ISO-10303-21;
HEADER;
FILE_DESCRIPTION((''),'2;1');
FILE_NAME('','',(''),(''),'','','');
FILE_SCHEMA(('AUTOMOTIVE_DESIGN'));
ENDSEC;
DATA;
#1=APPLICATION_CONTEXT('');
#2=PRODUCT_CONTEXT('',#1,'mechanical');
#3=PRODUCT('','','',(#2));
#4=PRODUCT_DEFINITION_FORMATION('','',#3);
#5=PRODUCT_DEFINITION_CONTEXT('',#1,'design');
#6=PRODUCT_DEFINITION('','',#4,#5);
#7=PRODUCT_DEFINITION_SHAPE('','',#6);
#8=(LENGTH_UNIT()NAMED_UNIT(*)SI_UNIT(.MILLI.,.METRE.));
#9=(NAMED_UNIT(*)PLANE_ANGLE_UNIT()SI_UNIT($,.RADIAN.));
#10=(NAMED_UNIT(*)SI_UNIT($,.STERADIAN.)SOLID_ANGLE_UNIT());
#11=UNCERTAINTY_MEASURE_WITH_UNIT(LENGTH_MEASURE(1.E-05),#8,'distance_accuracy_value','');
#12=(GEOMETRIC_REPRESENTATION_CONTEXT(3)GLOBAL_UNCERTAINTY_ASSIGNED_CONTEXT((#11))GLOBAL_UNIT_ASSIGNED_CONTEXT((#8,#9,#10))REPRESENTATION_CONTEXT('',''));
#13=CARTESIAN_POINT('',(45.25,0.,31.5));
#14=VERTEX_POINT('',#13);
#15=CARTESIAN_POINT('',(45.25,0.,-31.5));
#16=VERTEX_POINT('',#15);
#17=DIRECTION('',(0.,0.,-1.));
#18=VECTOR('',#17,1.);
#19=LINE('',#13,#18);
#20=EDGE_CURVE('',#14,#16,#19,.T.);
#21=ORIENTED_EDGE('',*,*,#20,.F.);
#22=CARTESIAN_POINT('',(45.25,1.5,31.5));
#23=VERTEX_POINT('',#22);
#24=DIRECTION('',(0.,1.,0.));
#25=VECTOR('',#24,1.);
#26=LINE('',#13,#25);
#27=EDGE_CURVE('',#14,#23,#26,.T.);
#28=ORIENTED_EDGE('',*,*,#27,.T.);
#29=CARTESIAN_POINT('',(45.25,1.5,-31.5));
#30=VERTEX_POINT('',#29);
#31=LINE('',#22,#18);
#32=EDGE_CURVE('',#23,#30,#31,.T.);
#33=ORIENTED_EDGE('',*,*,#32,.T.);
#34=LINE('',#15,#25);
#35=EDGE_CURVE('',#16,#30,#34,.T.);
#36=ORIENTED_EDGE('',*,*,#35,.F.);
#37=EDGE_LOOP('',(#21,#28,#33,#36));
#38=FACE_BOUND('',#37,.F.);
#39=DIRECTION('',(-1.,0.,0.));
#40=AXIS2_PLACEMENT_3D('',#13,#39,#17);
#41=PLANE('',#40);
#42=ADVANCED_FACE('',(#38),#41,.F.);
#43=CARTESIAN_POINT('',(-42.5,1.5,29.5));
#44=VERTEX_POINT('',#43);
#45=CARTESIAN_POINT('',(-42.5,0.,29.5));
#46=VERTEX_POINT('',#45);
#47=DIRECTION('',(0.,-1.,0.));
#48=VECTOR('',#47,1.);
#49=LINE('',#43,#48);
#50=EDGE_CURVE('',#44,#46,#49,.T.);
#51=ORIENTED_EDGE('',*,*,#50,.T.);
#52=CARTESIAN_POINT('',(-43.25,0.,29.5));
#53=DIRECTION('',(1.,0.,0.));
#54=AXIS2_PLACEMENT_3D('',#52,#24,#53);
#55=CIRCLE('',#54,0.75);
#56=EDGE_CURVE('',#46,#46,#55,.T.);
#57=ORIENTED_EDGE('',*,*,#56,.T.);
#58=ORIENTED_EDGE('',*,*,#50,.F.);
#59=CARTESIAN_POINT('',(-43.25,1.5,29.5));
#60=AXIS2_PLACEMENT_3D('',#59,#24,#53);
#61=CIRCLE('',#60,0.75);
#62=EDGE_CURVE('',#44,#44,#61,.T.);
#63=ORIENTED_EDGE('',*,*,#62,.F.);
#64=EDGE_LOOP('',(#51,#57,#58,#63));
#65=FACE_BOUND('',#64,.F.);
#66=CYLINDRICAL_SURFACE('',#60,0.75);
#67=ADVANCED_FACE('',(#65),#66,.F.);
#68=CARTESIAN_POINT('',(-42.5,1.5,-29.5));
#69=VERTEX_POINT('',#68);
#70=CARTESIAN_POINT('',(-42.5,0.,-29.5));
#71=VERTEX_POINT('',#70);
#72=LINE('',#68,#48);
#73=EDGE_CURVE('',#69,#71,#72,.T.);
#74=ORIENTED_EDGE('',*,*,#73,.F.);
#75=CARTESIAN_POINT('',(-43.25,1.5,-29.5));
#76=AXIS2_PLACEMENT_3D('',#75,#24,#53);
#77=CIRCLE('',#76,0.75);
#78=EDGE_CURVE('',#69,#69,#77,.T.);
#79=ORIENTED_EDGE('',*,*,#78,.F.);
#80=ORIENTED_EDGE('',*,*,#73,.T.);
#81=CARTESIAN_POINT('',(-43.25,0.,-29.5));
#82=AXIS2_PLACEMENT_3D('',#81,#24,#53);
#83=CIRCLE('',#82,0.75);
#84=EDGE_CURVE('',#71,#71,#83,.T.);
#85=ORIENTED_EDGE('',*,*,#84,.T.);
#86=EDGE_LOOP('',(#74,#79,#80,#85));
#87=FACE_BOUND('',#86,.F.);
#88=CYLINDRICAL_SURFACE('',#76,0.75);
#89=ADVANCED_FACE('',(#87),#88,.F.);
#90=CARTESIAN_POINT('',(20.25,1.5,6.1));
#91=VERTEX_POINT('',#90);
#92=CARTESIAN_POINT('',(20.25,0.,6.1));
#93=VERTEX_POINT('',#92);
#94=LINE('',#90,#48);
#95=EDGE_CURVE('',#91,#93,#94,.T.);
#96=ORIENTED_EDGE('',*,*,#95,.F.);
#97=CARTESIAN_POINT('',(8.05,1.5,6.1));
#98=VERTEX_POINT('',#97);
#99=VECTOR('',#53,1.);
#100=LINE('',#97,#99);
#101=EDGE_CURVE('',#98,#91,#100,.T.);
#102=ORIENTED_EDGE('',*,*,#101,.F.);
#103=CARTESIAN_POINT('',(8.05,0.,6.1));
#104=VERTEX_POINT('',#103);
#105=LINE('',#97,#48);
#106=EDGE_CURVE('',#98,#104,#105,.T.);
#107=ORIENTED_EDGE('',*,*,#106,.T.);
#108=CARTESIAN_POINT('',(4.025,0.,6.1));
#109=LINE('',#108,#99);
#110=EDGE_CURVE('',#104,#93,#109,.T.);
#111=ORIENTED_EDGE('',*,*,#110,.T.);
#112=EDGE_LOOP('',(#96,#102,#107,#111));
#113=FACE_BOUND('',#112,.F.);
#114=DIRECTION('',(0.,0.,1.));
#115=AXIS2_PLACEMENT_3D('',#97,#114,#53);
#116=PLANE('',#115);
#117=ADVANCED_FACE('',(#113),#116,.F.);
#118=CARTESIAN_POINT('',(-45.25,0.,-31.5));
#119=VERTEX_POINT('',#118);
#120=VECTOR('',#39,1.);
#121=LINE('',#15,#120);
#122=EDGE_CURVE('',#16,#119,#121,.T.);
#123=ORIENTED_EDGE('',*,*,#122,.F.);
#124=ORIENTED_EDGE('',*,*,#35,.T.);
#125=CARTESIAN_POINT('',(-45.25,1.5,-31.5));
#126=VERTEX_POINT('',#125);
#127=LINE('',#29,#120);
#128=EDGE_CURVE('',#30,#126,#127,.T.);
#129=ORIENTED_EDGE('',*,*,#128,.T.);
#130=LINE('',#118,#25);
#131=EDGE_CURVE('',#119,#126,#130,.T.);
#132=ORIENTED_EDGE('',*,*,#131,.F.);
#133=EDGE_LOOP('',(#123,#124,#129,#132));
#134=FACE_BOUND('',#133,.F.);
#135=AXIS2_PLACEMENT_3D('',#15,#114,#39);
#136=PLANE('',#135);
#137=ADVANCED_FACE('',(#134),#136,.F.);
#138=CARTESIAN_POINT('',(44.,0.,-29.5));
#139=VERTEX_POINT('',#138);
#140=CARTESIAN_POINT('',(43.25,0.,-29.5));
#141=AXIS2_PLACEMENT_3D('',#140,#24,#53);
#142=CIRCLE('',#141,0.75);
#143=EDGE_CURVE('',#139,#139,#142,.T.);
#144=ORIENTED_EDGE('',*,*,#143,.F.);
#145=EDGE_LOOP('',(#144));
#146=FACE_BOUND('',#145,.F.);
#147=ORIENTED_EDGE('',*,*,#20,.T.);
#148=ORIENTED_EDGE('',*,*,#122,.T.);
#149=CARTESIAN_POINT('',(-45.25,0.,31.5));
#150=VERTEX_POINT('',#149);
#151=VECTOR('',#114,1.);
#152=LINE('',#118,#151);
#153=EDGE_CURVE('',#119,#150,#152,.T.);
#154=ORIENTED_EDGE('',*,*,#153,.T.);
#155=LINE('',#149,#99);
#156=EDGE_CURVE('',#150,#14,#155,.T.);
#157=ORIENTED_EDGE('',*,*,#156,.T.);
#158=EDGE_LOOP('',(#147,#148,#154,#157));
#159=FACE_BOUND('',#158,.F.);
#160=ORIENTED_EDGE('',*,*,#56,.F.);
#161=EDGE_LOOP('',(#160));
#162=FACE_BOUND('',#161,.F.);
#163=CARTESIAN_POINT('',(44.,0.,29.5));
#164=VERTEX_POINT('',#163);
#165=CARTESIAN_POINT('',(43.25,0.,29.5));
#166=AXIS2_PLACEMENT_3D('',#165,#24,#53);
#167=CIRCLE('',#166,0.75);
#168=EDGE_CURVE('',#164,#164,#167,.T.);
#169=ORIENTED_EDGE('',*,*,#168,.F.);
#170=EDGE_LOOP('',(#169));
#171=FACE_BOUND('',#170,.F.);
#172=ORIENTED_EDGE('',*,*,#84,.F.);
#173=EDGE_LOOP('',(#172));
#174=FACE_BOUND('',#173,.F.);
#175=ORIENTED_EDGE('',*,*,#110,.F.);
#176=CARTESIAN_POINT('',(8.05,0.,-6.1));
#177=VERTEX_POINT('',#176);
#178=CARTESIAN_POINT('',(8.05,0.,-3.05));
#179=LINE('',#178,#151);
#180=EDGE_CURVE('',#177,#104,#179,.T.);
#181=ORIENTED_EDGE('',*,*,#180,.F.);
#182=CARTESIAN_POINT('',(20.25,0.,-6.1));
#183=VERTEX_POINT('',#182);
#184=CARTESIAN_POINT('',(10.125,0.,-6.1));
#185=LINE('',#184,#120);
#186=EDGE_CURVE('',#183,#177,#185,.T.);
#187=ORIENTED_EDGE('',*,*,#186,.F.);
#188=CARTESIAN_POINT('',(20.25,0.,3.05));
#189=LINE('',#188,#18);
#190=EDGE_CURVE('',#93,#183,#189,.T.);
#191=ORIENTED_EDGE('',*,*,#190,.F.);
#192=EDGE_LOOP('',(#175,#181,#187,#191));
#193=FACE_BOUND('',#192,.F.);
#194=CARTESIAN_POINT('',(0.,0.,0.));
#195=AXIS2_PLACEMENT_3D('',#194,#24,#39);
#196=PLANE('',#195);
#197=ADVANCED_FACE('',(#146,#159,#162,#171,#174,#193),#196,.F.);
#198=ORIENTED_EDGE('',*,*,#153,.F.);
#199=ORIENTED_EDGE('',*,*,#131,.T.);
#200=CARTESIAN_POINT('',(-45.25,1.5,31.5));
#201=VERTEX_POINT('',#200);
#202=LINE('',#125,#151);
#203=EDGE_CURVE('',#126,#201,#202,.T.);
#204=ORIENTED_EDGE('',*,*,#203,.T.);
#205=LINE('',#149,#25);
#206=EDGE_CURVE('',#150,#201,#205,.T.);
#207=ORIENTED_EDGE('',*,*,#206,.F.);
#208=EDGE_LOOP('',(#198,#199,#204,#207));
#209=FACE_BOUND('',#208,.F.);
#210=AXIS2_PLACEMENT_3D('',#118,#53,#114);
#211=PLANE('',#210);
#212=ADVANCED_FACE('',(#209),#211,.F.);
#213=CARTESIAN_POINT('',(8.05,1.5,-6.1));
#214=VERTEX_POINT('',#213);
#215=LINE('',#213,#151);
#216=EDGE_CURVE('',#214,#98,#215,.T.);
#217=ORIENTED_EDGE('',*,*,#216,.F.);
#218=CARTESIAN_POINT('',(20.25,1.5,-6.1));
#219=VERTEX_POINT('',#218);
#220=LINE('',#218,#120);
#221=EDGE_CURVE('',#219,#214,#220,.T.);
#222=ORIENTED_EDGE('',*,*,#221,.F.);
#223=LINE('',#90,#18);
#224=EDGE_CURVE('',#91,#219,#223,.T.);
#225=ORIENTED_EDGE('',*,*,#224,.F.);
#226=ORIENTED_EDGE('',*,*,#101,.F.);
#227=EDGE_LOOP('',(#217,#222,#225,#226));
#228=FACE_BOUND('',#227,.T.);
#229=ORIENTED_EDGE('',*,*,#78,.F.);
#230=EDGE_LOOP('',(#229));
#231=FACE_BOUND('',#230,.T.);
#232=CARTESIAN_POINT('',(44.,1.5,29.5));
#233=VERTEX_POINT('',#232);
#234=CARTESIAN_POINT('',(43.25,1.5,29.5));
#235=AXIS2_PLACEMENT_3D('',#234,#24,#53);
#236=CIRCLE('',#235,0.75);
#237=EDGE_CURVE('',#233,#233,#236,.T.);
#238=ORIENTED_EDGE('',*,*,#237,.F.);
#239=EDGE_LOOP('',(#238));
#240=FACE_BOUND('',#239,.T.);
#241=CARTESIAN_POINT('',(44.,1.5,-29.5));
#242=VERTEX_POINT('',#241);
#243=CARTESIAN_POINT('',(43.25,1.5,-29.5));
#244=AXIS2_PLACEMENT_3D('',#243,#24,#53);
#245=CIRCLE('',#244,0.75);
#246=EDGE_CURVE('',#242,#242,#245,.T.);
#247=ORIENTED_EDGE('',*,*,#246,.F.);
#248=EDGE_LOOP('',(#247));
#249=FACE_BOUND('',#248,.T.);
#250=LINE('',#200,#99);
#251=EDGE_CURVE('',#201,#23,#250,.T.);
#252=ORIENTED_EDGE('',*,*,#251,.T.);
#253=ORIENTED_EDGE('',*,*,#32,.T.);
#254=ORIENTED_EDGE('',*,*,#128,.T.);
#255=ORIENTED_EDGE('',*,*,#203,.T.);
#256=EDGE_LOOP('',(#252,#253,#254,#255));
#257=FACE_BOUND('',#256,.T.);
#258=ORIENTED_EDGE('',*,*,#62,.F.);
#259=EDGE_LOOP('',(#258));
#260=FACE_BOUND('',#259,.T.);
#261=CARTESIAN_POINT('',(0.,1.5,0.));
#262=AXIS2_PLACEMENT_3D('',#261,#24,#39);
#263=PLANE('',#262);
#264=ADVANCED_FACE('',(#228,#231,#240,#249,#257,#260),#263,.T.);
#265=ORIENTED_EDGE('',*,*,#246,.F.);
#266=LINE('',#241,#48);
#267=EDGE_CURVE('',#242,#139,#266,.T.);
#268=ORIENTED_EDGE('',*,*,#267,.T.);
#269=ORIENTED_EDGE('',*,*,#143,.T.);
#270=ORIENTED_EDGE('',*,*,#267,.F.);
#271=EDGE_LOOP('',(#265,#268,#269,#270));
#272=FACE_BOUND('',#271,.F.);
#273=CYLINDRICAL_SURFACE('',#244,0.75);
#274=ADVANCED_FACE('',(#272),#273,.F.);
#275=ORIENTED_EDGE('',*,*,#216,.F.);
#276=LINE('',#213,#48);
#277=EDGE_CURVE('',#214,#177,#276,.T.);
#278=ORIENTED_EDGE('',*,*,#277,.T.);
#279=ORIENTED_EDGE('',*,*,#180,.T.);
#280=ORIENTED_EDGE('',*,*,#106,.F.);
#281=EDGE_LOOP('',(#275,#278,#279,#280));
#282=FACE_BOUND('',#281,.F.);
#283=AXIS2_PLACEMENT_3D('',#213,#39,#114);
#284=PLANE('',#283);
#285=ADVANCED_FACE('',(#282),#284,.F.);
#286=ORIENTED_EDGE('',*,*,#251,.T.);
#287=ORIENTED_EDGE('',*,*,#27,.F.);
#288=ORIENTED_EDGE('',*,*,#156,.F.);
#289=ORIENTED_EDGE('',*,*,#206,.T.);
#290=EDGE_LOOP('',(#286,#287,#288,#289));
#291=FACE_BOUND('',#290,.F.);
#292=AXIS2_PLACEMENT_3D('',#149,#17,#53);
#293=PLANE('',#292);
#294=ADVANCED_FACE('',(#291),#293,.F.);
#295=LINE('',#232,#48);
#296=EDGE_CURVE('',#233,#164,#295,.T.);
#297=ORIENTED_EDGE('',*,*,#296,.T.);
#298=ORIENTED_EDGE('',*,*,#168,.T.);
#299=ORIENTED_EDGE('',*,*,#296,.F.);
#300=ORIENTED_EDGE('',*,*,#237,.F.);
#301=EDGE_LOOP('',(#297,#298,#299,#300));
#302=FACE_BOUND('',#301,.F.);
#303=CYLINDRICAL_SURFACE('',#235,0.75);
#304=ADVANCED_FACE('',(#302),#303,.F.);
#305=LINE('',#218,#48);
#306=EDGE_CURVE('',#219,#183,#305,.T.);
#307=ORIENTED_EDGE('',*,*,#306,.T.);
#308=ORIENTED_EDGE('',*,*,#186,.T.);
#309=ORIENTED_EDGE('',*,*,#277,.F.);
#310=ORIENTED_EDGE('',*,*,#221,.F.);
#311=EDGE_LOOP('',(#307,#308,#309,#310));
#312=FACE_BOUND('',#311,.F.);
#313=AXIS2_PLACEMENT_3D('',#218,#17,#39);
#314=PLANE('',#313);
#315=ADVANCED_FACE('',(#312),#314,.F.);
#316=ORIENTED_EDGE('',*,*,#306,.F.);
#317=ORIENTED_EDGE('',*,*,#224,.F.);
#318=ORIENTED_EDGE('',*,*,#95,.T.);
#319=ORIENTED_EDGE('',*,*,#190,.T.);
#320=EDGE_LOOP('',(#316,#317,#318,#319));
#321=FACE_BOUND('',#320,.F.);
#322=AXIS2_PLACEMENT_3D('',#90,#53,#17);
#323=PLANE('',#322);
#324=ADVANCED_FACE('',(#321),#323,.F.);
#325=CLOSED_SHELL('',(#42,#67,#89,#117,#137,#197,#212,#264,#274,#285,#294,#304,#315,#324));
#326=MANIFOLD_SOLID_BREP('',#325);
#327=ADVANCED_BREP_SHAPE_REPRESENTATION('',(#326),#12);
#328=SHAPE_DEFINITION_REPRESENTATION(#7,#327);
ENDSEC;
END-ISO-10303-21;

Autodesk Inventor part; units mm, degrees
ref_plane "YZ Plane" through (0, 0, 0) normal (1, 0, 0) x (0, 1, 0)
ref_plane "XZ Plane" through (0, 0, 0) normal (0, 1, 0) x (-1, 0, 0)
ref_plane "XY Plane" through (0, 0, 0) normal (0, 0, 1) x (1, 0, 0)
sketch "Sketch1" plane through (0, 0, 0) normal (0, 1, 0) x (-1, 0, 0)
  line L0 (45.25, 31.5) -> (-45.25, 31.5)
  line L1 (-45.25, 31.5) -> (-45.25, -31.5)
  line L2 (-45.25, -31.5) -> (45.25, -31.5)
  line L3 (45.25, -31.5) -> (45.25, 31.5)
  line L4 (45.25, 31.5) -> (-45.25, -31.5) construction
  line L5 (-45.25, 31.5) -> (45.25, -31.5) construction
  point P0 (0, 0)
  dimension "d0" = 63
  dimension "d1" = 90.5
extrude "Extrusion1" add sketch "Sketch1" along normal blind 1.5
sketch "Sketch2" plane through (0, 1.5, 0) normal (0, 1, 0) x (1, 0, 0)
  circle A0 centre (-43.25, -29.5) radius 0.75
  line L0 (-45.25, 31.5) -> (-45.25, -31.5) projected
  line L1 (-45.25, -31.5) -> (45.25, -31.5) projected
  circle A1 centre (-43.25, 29.5) radius 0.75
  line L2 (45.25, 31.5) -> (-45.25, 31.5) projected
  circle A2 centre (43.25, -29.5) radius 0.75
  line L3 (45.25, -31.5) -> (45.25, 31.5) projected
  circle A3 centre (43.25, 29.5) radius 0.75
  point P0 (0, 0)
  dimension "d4" = 2
  dimension "d5" = 2
  dimension "d6" = 1.5
  dimension "d7" = 2
  dimension "d8" = 2
  dimension "d9" = 1.5
  dimension "d10" = 2
  dimension "d11" = 2
  dimension "d12" = 1.5
  dimension "d13" = 1.5
  dimension "d14" = 2
  dimension "d15" = 2
extrude "Extrusion2" cut sketch "Sketch2" against normal blind 1.5 contours A0 | A1 | A2 | A3
sketch "Sketch6" plane through (0, 1.5, 0) normal (0, 1, 0) x (1, 0, 0)
  line L0 (8.05, -6.1) -> (20.25, -6.1)
  line L1 (20.25, -6.1) -> (20.25, 6.1)
  line L2 (20.25, 6.1) -> (8.05, 6.1)
  line L3 (8.05, 6.1) -> (8.05, -6.1)
  line L4 (-45.25, -31.5) -> (45.25, -31.5) projected
  line L5 (45.25, -31.5) -> (45.25, 31.5) projected
  point P0 (0, 0)
  dimension "d42" = 12.2
  dimension "d43" = 12.2
  dimension "d44" = 25.4
  dimension "d45" = 25
extrude "Extrusion6" cut sketch "Sketch6" against normal blind 10
properties part number "remoteswitchlid"
